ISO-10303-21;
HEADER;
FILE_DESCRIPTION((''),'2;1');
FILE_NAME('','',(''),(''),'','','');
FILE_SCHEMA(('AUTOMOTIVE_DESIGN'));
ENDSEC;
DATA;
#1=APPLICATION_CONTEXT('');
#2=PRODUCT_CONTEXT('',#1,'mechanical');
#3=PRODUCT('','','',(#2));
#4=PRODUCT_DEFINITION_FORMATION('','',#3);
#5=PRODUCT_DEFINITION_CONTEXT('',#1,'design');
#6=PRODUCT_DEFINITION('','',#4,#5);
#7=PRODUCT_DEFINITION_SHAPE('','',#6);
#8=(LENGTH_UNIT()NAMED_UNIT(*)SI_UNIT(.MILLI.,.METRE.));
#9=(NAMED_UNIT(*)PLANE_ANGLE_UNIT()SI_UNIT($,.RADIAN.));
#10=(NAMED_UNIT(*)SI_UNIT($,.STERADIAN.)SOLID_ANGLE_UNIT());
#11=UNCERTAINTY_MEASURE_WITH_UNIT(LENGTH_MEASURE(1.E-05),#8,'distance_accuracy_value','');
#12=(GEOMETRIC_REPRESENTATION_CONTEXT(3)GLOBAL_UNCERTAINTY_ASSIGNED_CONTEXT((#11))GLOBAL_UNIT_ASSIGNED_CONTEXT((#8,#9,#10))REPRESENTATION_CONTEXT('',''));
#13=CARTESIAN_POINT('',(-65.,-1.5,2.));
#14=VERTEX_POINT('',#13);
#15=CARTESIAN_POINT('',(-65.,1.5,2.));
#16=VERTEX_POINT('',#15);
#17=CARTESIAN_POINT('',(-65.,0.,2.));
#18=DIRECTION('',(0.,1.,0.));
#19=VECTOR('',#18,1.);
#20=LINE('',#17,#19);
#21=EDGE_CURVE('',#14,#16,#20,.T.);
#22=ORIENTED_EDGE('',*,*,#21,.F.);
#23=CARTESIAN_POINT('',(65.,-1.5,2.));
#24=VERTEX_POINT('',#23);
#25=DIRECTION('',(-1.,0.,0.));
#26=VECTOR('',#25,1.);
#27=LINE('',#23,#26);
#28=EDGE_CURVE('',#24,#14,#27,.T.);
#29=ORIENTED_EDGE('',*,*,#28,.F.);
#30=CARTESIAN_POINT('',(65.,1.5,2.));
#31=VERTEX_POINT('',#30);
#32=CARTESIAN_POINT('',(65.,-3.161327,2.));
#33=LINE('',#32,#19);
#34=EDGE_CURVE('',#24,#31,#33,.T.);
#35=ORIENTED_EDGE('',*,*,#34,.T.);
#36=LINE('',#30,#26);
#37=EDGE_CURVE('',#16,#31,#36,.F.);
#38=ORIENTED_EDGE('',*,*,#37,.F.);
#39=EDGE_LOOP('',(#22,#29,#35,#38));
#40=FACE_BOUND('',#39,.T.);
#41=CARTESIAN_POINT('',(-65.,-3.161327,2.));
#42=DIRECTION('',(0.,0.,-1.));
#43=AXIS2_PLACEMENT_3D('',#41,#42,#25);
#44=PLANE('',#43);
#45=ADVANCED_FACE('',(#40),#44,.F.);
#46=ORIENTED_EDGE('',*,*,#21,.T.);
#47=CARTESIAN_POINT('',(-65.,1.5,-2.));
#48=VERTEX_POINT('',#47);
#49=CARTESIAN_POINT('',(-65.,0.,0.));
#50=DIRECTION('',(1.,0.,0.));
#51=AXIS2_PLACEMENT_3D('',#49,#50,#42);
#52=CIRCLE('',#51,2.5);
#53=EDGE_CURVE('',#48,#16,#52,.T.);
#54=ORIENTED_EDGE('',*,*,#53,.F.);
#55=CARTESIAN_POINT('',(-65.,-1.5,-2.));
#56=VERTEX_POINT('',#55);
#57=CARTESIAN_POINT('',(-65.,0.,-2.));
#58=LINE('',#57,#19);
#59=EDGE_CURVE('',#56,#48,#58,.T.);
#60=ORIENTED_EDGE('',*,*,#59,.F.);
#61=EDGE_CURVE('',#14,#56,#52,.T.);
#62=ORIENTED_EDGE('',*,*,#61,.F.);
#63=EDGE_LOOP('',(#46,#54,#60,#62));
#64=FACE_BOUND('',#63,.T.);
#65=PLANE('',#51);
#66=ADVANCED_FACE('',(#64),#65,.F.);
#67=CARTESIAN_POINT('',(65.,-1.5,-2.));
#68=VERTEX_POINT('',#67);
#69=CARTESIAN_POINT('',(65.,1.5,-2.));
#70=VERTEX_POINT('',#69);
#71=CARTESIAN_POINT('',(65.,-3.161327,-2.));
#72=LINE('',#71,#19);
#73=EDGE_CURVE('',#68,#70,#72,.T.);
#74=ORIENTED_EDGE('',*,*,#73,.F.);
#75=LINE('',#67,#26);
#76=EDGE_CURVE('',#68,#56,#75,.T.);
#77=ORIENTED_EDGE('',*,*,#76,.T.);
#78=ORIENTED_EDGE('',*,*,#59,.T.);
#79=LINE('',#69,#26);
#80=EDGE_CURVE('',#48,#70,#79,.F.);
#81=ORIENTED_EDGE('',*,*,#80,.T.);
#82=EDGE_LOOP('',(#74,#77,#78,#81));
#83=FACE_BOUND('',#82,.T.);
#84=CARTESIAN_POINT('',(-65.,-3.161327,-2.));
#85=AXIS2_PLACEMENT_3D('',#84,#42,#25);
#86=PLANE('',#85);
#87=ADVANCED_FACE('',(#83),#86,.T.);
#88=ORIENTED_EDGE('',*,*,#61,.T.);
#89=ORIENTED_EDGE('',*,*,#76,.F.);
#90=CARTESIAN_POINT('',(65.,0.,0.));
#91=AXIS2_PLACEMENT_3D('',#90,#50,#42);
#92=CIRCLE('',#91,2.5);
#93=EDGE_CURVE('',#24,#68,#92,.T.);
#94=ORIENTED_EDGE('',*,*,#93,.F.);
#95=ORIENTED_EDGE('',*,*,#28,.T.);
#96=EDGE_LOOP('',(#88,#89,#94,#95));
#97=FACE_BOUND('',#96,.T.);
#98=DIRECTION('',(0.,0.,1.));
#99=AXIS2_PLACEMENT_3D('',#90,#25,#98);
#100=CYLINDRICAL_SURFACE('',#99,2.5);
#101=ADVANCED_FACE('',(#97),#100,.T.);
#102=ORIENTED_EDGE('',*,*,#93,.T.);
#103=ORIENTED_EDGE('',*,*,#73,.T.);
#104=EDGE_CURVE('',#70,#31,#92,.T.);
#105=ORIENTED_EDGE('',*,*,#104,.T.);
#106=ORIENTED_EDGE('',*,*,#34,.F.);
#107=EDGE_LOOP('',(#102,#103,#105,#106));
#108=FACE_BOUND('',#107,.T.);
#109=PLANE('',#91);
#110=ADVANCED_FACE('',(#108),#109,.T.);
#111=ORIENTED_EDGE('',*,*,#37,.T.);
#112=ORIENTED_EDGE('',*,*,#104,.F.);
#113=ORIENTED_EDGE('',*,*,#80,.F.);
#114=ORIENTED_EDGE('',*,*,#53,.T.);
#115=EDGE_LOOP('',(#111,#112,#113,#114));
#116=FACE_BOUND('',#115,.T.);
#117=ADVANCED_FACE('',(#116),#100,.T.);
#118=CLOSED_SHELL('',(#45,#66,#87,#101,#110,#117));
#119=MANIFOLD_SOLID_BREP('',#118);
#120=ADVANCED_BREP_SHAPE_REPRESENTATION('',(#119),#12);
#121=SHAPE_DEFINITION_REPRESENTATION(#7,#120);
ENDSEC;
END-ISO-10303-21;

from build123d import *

# Parameters (mm, degrees)
ESBO_O1_R                = 2.5
RESSALTO_EXTRUS_O1_DEPTH = 65
ESBO_O2_W                = 7.122508342
ESBO_O2_H                = 3.466033472
CORTE_EXTRUS_O1_DEPTH    = 130


with BuildPart() as part:
    # Esboço1 → Ressalto-extrusão1 (new, symmetric)
    with BuildSketch(Plane.YZ):
        with Locations(Location((0, 0, 0), (0, 0, 270))):
            Circle(ESBO_O1_R)
    extrude(amount=RESSALTO_EXTRUS_O1_DEPTH, both=True)

    # Esboço2 → Corte-extrusão1 (cut)
    with BuildSketch(Plane.YZ.offset(65)):
        with Locations((0.399926939, 3.733016736)):
            Rectangle(ESBO_O2_W, ESBO_O2_H)
    corte_extrus_o1 = extrude(amount=-CORTE_EXTRUS_O1_DEPTH, mode=Mode.SUBTRACT)

    # Espelhar1: Corte-extrusão1 across plane
    add(corte_extrus_o1.mirror(Plane.XY), mode=Mode.SUBTRACT)


solid = part.part
